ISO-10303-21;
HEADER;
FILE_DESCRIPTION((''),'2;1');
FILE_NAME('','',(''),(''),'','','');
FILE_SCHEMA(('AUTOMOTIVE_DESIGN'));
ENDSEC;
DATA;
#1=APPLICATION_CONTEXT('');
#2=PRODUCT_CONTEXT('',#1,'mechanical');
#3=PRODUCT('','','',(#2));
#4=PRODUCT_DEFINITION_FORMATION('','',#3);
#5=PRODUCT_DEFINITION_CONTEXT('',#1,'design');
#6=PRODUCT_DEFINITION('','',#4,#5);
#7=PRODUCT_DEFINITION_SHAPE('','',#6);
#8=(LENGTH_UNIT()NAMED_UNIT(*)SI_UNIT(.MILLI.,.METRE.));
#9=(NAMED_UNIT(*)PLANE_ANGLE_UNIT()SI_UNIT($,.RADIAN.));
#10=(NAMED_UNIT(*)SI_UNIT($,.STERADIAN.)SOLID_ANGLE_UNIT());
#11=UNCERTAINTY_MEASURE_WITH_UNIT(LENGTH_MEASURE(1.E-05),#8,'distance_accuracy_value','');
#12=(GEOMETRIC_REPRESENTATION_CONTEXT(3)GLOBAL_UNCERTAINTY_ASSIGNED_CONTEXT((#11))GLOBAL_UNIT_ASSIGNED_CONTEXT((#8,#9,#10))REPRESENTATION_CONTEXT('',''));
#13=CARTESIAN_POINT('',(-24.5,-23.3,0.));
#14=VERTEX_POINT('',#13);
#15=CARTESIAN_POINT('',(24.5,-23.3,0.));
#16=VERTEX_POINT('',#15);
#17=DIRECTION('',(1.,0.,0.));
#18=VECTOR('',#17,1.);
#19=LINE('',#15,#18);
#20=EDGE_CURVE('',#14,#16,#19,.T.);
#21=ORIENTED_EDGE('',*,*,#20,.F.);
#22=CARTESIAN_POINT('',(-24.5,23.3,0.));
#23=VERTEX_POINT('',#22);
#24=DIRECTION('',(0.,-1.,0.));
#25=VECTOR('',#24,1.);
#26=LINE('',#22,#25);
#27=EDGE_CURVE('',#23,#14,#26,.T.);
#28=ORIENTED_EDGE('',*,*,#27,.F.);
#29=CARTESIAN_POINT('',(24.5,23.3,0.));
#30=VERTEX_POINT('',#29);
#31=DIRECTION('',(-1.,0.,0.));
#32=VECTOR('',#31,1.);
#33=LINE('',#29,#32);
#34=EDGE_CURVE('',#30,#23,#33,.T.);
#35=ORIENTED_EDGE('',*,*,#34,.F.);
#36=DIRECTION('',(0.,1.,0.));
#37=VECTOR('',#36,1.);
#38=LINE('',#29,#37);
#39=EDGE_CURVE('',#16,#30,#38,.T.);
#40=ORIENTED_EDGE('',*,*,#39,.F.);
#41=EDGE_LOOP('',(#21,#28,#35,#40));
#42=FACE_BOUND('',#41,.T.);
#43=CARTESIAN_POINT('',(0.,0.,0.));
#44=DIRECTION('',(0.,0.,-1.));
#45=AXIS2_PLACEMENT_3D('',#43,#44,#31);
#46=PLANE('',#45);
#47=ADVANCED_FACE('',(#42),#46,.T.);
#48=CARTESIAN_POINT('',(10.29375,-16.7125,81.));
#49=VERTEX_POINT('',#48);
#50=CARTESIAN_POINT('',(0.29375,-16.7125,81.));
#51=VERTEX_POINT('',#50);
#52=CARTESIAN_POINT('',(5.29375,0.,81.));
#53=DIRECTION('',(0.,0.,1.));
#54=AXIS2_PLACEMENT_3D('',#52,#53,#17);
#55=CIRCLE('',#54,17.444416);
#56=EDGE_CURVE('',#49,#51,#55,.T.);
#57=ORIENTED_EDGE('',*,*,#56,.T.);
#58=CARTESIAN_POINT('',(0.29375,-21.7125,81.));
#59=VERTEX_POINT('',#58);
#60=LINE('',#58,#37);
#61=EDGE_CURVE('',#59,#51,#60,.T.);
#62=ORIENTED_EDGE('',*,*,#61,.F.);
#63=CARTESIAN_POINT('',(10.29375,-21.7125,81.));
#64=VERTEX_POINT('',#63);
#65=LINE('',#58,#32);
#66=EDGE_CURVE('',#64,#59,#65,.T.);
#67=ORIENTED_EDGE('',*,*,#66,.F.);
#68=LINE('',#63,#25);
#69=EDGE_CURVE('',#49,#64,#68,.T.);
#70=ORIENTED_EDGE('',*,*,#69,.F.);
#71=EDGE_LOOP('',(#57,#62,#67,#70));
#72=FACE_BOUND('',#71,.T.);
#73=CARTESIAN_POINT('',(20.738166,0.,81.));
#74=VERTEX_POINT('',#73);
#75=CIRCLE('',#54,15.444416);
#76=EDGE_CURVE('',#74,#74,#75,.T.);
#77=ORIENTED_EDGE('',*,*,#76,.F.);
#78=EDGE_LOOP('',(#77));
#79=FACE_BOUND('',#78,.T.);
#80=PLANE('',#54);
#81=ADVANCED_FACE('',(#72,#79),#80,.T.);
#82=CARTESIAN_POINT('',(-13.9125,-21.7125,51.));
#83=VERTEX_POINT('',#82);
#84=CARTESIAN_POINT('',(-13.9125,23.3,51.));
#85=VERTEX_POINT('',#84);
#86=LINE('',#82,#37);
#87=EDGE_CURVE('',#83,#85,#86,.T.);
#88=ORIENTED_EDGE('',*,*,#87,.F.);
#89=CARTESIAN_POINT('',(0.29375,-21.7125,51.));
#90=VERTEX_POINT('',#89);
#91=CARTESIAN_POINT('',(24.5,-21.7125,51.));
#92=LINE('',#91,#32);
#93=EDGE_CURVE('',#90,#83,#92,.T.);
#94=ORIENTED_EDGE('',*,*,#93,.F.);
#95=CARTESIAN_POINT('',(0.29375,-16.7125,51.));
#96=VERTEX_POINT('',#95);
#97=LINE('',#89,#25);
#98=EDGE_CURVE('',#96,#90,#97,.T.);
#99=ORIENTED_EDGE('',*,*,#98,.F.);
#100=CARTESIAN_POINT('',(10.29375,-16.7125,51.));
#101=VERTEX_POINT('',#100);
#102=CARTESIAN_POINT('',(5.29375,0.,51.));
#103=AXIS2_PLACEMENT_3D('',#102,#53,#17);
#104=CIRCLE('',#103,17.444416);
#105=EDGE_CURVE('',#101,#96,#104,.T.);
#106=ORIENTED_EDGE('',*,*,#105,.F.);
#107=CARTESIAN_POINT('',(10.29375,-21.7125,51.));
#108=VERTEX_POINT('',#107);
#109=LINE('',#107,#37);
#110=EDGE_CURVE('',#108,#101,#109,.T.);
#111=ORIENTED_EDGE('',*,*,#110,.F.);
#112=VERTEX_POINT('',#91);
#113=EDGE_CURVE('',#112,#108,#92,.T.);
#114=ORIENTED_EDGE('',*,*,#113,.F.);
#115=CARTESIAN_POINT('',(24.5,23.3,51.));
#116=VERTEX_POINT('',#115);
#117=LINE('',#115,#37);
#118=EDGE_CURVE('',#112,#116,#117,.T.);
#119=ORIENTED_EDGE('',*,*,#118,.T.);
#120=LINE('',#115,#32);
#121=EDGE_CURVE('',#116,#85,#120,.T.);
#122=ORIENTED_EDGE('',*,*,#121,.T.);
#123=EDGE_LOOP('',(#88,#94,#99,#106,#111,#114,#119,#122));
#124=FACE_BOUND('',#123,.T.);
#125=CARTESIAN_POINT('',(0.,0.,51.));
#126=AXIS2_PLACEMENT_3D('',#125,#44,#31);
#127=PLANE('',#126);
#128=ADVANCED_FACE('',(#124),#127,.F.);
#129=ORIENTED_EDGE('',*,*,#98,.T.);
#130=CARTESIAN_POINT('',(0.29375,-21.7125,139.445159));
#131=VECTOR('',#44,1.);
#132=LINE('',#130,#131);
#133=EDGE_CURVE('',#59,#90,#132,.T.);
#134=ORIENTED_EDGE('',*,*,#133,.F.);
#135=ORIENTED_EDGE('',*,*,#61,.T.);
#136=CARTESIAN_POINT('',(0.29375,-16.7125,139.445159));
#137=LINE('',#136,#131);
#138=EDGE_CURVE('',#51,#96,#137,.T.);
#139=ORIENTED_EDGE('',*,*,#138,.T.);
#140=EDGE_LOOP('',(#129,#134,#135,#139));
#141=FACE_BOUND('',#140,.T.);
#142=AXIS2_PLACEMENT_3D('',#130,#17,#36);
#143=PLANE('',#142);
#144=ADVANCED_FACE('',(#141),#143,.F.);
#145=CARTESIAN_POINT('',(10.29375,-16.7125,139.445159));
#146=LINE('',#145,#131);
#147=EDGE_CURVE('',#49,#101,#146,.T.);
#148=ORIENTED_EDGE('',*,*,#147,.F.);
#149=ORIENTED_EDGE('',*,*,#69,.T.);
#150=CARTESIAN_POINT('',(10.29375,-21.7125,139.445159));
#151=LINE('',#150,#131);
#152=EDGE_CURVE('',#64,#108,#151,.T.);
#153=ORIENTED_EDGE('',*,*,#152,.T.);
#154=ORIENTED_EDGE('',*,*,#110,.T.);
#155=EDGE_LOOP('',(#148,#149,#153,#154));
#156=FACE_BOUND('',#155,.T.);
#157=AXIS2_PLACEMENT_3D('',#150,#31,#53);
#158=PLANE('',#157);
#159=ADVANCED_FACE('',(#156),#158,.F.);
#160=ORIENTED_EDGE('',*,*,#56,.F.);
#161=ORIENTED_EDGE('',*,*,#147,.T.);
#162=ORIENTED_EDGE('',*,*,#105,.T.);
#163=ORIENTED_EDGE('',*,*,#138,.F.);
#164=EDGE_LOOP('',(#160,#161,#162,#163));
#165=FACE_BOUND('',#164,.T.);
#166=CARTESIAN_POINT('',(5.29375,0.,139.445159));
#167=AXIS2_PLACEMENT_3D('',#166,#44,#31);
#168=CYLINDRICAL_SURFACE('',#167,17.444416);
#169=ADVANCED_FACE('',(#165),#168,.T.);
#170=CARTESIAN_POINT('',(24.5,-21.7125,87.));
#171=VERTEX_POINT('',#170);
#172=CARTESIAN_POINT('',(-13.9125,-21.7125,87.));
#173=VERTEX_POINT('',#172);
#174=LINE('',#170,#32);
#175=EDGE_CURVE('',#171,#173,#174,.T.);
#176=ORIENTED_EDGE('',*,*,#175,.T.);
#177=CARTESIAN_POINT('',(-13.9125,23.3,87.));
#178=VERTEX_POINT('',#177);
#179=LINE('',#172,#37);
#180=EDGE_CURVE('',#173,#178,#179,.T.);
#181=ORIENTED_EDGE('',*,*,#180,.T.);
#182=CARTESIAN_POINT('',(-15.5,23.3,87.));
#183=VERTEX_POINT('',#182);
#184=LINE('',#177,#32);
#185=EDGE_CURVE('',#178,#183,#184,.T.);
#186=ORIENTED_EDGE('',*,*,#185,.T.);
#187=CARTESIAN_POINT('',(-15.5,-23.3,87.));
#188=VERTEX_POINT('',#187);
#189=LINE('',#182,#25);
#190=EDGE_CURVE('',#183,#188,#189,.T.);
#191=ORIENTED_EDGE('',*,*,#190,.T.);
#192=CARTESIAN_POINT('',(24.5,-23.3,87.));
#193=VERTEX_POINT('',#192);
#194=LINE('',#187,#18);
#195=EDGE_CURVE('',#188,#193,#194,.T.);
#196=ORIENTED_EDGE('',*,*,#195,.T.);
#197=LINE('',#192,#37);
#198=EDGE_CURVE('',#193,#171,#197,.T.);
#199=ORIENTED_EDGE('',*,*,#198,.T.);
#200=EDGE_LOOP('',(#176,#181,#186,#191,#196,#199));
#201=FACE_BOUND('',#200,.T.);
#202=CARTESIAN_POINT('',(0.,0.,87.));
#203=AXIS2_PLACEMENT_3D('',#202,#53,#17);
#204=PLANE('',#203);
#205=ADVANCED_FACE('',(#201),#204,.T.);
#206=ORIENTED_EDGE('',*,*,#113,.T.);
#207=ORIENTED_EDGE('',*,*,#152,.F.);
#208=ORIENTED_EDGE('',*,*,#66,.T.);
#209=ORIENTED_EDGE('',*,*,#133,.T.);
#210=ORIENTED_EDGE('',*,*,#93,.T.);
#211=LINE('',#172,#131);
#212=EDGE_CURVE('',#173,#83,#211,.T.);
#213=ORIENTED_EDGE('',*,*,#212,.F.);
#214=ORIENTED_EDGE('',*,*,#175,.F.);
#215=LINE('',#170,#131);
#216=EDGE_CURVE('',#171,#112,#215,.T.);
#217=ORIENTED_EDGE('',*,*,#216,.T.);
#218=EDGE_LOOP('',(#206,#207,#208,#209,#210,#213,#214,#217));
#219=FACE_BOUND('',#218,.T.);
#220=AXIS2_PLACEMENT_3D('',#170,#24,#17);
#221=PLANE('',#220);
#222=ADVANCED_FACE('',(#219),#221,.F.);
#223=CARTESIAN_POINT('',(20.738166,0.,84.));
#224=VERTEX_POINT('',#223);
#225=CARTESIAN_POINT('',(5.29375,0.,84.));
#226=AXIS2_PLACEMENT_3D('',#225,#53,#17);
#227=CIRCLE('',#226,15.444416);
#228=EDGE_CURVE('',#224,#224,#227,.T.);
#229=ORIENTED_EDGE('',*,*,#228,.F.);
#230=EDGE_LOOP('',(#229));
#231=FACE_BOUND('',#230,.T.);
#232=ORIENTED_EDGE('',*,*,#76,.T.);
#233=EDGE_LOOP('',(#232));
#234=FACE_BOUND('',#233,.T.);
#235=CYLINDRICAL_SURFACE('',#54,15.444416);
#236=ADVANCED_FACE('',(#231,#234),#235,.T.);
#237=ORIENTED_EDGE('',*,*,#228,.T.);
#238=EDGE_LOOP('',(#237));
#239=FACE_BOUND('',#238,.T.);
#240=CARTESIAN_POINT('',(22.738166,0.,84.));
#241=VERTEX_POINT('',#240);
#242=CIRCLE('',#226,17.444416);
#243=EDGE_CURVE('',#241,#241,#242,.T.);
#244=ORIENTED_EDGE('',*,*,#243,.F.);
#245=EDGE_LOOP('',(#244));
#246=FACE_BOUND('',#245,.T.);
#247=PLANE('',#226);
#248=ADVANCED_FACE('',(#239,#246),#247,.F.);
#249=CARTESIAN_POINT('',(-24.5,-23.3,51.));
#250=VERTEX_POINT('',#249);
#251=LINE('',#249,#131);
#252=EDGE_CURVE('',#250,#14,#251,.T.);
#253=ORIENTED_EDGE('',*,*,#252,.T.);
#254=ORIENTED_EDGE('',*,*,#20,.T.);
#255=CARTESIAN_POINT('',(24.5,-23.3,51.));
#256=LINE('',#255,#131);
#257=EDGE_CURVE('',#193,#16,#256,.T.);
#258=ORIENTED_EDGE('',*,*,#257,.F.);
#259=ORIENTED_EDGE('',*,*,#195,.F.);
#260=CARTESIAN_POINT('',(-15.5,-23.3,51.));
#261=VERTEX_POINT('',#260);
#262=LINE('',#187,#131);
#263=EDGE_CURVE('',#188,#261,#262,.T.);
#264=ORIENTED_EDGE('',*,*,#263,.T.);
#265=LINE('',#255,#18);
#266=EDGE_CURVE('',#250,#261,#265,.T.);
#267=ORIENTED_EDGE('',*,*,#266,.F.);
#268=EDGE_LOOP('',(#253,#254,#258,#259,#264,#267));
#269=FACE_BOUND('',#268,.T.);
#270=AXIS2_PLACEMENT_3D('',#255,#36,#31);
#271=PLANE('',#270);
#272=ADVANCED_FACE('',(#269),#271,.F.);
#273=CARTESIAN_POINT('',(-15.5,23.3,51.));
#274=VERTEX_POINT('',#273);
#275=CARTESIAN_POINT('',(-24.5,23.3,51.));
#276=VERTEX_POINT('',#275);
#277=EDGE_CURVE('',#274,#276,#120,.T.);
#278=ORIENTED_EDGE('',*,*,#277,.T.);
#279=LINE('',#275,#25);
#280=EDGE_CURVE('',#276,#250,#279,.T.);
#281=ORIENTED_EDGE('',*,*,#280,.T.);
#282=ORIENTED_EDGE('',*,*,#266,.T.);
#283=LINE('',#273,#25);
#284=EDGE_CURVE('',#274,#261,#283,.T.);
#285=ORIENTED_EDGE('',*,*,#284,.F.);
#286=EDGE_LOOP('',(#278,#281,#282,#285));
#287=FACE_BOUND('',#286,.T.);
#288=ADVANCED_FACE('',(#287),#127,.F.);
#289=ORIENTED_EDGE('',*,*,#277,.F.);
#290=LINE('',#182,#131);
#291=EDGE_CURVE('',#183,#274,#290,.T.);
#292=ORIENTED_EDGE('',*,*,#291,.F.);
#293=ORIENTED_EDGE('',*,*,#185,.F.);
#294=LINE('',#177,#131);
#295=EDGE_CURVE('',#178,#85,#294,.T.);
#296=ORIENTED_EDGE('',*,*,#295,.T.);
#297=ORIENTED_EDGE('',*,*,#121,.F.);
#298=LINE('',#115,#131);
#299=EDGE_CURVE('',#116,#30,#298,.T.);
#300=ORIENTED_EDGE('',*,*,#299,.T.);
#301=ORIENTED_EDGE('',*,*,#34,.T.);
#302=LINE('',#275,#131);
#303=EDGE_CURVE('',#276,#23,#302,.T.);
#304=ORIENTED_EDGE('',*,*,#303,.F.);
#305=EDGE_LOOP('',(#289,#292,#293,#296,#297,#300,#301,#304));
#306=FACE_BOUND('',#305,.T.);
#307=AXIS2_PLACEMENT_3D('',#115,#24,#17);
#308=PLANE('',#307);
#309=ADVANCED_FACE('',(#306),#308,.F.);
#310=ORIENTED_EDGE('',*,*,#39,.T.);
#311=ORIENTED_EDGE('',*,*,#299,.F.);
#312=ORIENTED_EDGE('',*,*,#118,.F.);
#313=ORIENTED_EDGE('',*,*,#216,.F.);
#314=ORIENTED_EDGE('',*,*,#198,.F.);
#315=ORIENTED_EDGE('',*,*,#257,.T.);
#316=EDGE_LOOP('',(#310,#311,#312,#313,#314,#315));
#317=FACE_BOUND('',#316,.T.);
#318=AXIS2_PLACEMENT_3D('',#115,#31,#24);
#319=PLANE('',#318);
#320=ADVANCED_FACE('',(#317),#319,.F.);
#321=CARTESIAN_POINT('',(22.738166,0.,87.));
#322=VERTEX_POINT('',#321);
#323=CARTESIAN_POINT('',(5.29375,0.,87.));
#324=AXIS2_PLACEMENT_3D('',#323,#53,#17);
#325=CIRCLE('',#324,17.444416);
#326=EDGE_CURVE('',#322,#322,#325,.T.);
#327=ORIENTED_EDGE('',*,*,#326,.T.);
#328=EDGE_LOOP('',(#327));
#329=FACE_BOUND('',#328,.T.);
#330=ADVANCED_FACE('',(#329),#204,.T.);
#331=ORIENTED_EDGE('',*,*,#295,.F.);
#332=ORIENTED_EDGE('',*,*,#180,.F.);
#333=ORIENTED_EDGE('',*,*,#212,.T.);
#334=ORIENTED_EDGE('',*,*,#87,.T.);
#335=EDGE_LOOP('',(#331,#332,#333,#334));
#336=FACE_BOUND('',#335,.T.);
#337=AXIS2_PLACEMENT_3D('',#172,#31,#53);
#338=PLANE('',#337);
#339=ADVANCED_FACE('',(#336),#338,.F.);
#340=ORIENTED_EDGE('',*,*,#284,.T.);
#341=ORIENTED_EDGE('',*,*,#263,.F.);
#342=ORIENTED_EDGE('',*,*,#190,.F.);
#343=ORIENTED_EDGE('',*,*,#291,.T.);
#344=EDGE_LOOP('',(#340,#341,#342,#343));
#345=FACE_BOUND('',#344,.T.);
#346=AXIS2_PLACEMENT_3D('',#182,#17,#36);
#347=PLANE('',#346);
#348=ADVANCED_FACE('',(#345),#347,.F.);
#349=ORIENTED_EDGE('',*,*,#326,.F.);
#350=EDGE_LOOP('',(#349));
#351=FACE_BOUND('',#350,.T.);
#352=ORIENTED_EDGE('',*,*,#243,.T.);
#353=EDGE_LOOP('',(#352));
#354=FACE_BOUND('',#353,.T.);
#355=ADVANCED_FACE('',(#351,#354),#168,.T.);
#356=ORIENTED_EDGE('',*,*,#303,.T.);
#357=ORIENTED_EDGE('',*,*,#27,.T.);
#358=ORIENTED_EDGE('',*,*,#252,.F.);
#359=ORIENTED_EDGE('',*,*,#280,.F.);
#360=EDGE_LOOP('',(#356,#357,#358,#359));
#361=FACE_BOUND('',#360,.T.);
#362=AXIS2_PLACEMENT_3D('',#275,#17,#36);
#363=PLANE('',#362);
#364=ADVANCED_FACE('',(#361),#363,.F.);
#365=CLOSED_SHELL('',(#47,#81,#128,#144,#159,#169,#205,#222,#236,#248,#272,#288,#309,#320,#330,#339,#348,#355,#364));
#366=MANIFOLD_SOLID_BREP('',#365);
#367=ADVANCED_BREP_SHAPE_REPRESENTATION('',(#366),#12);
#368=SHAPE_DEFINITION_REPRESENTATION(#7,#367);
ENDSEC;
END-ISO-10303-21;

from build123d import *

# Parameters (mm, degrees)
SKETCH1_W           = 49
SKETCH1_H           = 46.6
BOSS_EXTRUDE1_DEPTH = 51
BOSS_EXTRUDE2_DEPTH = 36
BOSS_EXTRUDE3_DEPTH = 36
CUT_EXTRUDE1_START  = -3
SKETCH4_R           = 17.444416191
SKETCH4_R_2         = 15.444416191
CUT_EXTRUDE1_DEPTH  = 3
CUT_EXTRUDE2_DEPTH  = 6


with BuildPart() as part:
    # Sketch1 → Boss-Extrude1 (new body)
    with BuildSketch(Plane.XY):
        Rectangle(SKETCH1_W, SKETCH1_H)
    extrude(amount=BOSS_EXTRUDE1_DEPTH)

    # Sketch2 → Boss-Extrude2 (add)
    with BuildSketch(Plane.XY.offset(51)):
        Polygon((24.5, -23.3), (24.5, -21.7125), (-13.9125, -21.7125), (-13.9125, 23.3), (-15.5, 23.3), (-15.5, -23.3), align=None)
    extrude(amount=BOSS_EXTRUDE2_DEPTH)

    # Sketch3 → Boss-Extrude3 (add)
    with BuildSketch(Plane.XY.offset(51)):
        with BuildLine():
            Line((0.29375, -21.7125), (0.29375, -16.7125))
            ThreePointArc((0.29375, -16.7125), (5.29375, 17.444416191), (10.29375, -16.7125))
            Line((10.29375, -16.7125), (10.29375, -21.7125))
            Line((10.29375, -21.7125), (0.29375, -21.7125))
        make_face()
    extrude(amount=BOSS_EXTRUDE3_DEPTH)

    # Sketch4 → Cut-Extrude1 (cut)
    with BuildSketch(Plane.XY.offset(87).offset(CUT_EXTRUDE1_START)):
        with Locations((5.29375, 0)):
            Circle(SKETCH4_R)
        with Locations((5.29375, 0)):
            Circle(SKETCH4_R_2, mode=Mode.SUBTRACT)
    extrude(amount=-CUT_EXTRUDE1_DEPTH, mode=Mode.SUBTRACT)

    # Sketch5 → Cut-Extrude2 (cut)
    with BuildSketch(Plane.XY.offset(87)):
        with BuildLine():
            Line((0.29375, -21.7125), (10.29375, -21.7125))
            Line((10.29375, -21.7125), (10.29375, -16.7125))
            ThreePointArc((10.29375, -16.7125), (5.29375, -17.444416191), (0.29375, -16.7125))
            Line((0.29375, -16.7125), (0.29375, -21.7125))
        make_face()
    extrude(amount=-CUT_EXTRUDE2_DEPTH, mode=Mode.SUBTRACT)


solid = part.part
